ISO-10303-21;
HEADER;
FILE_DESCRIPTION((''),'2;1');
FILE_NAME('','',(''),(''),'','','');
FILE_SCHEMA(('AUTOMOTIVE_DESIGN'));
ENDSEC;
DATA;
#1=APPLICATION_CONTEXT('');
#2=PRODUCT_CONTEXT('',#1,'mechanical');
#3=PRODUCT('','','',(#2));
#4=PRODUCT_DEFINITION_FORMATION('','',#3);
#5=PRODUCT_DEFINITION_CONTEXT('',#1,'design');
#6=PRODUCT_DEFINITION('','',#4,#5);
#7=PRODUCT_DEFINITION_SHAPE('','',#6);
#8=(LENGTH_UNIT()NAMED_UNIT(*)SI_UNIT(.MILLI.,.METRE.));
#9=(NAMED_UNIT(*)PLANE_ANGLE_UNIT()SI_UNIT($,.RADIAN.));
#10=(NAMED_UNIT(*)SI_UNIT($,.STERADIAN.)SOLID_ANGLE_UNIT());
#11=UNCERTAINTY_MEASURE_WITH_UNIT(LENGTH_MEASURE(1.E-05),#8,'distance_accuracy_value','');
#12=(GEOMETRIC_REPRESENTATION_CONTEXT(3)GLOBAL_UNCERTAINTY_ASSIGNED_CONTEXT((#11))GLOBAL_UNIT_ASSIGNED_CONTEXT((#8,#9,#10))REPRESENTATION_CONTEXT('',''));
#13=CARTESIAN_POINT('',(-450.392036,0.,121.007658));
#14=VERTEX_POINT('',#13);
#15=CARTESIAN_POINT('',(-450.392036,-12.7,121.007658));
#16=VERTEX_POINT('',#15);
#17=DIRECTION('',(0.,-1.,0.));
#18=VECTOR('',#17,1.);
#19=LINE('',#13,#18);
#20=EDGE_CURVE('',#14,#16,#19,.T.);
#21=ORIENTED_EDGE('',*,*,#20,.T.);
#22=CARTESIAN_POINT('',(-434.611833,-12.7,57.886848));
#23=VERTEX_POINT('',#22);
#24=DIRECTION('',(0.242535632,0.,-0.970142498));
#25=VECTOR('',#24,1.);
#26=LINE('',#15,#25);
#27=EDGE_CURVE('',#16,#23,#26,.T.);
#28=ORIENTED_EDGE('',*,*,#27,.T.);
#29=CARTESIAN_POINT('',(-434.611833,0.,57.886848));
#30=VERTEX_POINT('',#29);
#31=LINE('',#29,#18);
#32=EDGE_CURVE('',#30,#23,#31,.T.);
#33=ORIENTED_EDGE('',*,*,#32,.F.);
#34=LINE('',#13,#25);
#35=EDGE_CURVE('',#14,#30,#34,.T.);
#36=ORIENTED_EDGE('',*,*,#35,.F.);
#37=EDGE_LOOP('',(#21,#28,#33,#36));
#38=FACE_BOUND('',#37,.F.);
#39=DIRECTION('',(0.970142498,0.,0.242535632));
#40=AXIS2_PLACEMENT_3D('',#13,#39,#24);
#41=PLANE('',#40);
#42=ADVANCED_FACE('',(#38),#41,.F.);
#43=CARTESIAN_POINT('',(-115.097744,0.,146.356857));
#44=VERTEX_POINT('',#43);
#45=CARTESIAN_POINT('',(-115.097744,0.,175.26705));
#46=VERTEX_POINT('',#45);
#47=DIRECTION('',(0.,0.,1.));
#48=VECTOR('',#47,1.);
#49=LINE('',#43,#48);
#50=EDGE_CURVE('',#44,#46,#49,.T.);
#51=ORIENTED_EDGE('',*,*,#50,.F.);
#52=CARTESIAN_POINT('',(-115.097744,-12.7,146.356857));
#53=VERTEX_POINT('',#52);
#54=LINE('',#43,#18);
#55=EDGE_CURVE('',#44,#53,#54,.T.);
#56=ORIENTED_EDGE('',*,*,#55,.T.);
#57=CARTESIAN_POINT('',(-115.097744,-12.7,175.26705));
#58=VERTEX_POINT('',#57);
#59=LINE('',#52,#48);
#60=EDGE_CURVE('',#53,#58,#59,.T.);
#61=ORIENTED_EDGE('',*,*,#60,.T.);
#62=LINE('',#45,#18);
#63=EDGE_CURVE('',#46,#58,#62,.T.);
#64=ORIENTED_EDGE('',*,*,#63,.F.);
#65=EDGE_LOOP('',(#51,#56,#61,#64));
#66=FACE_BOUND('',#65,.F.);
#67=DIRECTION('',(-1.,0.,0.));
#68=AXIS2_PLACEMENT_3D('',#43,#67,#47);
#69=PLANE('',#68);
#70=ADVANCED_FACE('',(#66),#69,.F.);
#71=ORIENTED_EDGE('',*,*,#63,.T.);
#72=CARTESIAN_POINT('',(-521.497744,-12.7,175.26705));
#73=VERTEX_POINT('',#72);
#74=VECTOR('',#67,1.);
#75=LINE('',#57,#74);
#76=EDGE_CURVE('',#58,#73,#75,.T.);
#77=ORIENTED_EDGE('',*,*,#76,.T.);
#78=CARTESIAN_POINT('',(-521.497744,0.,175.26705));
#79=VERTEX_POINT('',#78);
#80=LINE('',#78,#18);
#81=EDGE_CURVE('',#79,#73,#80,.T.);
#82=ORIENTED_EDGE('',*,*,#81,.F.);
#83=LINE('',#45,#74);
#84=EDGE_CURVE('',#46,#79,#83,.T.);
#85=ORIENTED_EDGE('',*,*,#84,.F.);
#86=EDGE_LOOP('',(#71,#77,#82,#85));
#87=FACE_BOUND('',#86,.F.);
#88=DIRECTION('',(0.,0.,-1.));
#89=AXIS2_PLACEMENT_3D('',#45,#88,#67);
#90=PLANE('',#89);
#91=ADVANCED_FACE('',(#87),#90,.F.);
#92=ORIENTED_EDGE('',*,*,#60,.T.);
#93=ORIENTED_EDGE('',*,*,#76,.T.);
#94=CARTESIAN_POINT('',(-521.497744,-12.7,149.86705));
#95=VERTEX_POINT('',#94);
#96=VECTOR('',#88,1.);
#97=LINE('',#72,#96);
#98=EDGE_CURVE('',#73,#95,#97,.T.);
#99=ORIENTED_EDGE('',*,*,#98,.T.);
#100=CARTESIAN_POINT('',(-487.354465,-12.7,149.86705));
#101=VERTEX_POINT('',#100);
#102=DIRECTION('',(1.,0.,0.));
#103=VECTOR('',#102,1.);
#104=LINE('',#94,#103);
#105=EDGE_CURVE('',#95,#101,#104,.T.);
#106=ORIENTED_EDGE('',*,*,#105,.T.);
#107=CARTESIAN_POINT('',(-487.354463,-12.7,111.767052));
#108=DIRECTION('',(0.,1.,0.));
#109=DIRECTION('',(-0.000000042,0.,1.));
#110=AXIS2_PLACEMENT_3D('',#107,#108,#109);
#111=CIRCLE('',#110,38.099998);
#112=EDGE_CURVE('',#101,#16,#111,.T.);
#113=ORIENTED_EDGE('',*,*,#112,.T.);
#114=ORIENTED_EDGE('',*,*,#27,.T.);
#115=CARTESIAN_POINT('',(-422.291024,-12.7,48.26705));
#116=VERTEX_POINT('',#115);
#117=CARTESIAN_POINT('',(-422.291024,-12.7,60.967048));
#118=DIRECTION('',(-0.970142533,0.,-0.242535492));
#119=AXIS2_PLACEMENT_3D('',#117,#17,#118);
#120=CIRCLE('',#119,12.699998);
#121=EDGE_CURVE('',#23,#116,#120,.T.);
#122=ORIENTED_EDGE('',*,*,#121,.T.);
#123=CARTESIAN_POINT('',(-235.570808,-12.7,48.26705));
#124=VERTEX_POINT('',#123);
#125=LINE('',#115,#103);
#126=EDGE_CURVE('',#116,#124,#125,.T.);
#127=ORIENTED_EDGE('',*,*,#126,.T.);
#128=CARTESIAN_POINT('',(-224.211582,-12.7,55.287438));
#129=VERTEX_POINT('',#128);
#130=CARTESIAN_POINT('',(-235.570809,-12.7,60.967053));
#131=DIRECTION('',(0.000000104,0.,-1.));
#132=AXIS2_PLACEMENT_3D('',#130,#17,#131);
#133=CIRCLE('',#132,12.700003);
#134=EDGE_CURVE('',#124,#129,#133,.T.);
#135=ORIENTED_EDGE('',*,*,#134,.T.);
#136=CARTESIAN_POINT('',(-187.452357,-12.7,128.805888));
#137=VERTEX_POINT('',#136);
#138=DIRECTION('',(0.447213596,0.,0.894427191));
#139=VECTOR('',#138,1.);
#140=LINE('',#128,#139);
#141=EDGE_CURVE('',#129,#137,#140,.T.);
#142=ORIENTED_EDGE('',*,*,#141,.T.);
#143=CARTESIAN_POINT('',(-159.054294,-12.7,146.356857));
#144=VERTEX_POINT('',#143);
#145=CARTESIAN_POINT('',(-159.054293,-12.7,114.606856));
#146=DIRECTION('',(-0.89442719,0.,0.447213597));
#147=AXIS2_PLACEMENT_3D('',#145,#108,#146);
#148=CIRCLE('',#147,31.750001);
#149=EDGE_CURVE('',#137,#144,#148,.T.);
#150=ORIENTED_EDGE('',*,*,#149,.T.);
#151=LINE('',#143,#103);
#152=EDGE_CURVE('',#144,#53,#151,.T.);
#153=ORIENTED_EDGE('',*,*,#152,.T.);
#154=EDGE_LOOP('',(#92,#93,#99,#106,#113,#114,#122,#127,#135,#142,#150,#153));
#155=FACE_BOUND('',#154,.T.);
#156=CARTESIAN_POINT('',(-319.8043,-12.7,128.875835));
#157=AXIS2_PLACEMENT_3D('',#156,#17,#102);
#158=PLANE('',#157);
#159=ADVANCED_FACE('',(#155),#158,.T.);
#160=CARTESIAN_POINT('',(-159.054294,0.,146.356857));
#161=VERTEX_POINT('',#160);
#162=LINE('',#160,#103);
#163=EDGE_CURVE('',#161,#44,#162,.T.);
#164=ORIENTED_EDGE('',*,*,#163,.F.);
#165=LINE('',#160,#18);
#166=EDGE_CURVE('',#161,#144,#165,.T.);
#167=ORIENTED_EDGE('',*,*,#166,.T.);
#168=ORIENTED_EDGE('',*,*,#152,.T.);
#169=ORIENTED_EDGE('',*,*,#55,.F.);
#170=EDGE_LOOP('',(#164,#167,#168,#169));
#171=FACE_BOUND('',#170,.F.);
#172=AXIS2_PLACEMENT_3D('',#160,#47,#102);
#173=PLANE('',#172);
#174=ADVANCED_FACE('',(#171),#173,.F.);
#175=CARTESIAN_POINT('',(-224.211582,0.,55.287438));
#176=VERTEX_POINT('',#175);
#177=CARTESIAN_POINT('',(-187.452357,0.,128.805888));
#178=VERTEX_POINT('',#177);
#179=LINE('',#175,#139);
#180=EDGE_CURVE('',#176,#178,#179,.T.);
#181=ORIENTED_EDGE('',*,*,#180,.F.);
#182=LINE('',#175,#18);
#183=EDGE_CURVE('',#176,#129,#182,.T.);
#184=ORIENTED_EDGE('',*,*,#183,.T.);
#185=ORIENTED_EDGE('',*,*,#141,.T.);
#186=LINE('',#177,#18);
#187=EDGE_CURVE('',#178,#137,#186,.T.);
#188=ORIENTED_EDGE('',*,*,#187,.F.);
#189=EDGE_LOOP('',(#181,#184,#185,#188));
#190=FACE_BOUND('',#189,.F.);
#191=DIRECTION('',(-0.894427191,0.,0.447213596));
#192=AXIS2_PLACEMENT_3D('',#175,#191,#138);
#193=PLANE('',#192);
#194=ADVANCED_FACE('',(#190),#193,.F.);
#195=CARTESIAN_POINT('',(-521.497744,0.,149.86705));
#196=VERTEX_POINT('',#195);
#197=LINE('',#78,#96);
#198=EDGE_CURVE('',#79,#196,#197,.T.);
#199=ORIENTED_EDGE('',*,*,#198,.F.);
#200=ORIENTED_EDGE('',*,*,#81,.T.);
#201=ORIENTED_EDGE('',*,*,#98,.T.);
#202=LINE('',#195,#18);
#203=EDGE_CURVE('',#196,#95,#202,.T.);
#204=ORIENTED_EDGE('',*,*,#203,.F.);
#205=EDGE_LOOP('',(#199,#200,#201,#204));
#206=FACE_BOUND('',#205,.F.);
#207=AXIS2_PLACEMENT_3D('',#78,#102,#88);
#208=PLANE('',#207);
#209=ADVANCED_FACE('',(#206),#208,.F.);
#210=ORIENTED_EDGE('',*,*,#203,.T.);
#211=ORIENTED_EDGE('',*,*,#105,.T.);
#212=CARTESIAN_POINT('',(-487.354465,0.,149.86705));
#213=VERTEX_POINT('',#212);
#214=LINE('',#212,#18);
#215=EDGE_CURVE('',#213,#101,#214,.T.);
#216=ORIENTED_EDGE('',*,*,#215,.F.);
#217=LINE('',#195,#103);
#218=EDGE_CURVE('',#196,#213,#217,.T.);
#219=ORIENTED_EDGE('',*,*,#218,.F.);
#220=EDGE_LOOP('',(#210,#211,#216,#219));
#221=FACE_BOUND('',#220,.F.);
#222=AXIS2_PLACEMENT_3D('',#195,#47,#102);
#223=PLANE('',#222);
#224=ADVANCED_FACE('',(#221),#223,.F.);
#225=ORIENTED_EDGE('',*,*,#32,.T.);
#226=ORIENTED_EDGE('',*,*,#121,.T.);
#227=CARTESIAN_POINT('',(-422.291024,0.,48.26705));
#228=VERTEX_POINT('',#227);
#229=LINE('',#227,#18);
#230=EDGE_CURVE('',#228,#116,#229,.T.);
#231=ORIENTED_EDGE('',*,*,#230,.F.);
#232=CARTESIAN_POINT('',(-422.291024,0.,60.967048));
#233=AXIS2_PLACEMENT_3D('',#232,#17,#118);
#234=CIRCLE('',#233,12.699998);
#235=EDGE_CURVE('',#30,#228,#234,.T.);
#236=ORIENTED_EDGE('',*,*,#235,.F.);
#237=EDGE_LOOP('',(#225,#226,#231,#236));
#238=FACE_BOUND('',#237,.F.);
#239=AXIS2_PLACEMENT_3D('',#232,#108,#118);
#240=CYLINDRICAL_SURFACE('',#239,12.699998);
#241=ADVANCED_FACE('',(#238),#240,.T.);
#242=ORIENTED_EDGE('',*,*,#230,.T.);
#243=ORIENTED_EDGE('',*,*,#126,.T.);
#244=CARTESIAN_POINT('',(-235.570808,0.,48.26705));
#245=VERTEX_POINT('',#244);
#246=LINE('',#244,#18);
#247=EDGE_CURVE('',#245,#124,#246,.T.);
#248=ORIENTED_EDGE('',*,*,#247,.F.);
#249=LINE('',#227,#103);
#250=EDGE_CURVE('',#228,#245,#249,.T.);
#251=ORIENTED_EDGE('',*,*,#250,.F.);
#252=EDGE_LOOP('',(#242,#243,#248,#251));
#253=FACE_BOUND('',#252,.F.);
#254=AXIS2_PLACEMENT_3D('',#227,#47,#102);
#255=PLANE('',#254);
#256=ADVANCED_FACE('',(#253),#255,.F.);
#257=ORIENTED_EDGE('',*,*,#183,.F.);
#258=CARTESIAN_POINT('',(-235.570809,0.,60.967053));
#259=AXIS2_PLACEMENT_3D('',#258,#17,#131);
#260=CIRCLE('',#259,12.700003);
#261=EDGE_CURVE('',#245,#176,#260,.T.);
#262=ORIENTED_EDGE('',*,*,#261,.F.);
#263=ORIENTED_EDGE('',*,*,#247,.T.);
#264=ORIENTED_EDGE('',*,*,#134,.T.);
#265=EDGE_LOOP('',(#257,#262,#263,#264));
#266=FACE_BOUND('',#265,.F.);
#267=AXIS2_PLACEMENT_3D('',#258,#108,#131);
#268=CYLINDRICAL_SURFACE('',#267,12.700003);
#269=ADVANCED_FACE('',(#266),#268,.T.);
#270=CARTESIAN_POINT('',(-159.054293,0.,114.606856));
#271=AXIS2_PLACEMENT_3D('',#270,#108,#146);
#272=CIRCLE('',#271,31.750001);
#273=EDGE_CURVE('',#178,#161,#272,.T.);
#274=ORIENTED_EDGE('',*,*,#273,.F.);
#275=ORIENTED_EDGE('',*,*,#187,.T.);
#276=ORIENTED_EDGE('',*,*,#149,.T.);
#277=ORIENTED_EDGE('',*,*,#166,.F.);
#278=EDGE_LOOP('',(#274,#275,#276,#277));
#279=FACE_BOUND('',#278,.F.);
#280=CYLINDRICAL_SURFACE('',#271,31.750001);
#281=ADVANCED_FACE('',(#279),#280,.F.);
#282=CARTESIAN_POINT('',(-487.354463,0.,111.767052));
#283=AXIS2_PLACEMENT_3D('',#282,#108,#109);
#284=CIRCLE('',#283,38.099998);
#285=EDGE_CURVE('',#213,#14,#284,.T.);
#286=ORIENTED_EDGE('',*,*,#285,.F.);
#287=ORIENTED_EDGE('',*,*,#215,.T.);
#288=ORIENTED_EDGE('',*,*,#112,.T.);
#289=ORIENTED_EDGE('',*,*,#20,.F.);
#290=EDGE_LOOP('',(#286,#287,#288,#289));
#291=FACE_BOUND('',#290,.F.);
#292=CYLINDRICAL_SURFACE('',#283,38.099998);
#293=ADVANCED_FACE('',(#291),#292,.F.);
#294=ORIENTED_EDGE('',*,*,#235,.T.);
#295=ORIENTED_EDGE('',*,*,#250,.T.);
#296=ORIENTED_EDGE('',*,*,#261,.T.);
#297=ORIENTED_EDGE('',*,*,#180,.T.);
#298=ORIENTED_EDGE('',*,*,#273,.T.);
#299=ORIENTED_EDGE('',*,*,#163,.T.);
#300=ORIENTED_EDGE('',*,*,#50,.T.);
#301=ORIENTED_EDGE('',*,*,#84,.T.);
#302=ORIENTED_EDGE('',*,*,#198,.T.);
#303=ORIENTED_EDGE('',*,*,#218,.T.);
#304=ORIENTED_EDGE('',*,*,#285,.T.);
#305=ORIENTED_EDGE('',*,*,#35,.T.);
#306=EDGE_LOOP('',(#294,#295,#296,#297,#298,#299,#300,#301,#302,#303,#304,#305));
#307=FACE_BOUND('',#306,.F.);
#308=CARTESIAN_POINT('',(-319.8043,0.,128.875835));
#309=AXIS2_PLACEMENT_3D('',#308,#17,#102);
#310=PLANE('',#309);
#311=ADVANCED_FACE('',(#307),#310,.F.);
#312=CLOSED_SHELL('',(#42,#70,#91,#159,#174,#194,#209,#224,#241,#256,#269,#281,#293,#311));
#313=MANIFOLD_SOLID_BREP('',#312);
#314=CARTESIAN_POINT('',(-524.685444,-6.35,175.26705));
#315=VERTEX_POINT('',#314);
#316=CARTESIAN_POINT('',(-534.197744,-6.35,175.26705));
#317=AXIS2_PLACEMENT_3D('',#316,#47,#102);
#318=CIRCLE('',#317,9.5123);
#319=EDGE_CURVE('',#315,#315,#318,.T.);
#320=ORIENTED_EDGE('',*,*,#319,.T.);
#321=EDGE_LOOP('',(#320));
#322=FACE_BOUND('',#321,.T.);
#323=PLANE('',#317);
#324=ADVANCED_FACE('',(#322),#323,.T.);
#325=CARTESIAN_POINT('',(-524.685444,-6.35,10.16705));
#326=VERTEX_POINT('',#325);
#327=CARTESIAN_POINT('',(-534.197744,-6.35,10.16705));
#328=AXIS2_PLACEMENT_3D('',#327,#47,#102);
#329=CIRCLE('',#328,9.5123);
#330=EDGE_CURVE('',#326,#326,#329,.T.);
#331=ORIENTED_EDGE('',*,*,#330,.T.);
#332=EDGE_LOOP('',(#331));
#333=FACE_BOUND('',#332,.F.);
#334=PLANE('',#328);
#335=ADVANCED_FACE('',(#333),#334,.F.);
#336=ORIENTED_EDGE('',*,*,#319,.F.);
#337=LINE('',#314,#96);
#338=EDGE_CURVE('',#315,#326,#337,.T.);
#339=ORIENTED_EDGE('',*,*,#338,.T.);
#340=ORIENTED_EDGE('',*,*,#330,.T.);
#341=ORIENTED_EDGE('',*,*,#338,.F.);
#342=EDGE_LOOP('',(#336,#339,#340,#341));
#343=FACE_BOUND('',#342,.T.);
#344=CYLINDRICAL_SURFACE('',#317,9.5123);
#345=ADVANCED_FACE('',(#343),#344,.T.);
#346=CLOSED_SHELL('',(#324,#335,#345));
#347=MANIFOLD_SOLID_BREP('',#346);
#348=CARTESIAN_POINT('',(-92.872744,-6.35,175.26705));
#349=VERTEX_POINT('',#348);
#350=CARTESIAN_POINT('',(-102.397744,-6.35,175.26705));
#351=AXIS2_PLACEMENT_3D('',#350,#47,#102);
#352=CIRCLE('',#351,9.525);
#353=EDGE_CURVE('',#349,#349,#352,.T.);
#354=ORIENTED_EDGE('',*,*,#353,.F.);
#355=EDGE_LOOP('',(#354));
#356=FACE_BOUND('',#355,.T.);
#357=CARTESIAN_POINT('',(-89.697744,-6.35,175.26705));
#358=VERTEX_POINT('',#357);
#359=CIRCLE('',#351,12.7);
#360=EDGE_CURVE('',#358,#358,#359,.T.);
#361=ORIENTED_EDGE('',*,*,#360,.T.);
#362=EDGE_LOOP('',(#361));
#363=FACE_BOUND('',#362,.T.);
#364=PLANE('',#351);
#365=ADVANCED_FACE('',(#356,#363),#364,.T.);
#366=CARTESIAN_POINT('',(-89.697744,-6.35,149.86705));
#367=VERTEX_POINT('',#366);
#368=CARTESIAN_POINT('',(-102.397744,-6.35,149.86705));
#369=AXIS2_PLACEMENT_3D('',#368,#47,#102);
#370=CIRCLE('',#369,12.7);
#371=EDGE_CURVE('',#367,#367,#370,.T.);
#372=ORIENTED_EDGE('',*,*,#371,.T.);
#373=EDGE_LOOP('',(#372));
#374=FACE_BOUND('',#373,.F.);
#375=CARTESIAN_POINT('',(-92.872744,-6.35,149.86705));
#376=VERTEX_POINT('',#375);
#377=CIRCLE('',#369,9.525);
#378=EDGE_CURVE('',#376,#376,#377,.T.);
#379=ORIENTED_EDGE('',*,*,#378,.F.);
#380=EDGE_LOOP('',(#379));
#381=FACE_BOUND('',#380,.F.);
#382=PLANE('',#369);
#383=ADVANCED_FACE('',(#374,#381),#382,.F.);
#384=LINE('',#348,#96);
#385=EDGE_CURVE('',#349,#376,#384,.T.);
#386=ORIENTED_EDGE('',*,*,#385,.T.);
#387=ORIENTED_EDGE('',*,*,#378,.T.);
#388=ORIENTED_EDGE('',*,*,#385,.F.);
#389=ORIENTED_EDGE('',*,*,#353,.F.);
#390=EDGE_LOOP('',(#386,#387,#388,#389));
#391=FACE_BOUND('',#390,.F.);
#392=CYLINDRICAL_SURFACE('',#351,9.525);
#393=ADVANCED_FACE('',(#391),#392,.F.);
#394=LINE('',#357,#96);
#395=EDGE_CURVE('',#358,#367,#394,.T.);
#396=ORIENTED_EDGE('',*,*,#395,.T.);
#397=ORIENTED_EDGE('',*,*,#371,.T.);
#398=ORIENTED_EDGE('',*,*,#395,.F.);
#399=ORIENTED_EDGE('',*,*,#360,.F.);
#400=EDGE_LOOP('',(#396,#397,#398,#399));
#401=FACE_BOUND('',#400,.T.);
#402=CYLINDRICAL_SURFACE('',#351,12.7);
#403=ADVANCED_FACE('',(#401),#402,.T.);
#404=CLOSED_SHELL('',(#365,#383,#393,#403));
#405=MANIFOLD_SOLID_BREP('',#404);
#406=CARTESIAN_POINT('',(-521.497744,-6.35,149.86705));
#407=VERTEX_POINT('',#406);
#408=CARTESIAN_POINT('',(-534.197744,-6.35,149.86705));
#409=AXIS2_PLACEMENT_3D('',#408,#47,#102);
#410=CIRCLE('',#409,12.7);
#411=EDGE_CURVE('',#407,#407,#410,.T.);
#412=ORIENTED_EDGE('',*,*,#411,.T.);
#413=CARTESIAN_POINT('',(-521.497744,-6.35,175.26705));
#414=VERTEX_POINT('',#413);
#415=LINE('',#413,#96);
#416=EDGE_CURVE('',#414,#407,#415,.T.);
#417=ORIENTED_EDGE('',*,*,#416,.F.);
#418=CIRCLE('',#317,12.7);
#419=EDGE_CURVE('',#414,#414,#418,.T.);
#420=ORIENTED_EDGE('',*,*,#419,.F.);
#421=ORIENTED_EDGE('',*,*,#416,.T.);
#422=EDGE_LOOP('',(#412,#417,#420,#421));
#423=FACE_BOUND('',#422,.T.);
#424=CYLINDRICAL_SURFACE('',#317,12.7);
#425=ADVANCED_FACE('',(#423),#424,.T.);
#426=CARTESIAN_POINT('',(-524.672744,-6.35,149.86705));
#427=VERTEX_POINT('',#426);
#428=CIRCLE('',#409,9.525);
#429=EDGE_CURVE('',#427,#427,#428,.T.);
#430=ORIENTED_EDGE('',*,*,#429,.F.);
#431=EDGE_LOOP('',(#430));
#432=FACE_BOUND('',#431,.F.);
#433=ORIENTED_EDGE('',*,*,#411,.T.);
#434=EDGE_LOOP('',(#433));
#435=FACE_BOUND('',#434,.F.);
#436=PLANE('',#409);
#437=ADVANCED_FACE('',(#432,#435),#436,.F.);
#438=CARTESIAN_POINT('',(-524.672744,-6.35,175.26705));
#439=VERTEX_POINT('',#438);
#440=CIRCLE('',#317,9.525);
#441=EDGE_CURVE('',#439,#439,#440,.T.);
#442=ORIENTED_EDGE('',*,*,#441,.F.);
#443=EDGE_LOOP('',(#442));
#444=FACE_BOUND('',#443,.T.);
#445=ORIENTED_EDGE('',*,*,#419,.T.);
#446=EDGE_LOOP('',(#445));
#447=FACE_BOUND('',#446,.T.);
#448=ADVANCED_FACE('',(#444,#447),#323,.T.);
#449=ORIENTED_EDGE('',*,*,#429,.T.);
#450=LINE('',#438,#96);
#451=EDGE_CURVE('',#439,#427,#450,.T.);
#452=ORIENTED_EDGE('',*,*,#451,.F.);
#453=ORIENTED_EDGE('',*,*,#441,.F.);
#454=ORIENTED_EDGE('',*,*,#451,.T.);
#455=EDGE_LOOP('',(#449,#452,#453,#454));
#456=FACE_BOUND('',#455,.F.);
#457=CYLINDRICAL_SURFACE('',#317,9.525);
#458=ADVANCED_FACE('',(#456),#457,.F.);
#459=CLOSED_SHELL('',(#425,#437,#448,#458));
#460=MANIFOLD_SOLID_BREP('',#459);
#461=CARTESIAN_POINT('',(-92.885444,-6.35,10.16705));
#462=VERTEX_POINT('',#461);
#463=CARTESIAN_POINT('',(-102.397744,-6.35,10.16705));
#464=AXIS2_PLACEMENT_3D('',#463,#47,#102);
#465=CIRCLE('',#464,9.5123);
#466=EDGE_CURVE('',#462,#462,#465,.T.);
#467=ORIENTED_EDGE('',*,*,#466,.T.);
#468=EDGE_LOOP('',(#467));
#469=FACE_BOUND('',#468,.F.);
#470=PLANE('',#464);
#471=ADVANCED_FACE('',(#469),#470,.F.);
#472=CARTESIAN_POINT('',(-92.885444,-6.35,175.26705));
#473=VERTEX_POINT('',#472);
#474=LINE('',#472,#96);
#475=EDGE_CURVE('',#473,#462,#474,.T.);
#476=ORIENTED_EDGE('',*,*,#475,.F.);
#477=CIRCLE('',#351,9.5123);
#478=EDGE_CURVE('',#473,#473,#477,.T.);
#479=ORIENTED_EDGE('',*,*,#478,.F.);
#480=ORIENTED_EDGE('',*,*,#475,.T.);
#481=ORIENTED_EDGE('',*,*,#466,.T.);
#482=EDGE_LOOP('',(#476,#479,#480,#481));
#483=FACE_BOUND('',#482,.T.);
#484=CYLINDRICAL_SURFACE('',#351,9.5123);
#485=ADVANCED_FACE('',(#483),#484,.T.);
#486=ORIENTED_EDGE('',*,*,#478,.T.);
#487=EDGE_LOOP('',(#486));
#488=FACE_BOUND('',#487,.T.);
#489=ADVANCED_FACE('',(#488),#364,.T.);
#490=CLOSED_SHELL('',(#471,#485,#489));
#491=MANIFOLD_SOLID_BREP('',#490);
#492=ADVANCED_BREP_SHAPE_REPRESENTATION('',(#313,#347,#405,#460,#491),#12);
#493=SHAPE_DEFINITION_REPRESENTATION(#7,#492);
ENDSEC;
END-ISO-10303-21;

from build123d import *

# Parameters (mm, degrees)
F1_DEPTH = 12.7
F2_R     = 12.7
F2_R_2   = 9.525
F3_DEPTH = 25.4
F4_R     = 9.5123
F5_DEPTH = 165.1


with BuildPart() as f1:
    # F0 (on Front) → F1 (new body)
    with BuildSketch(Plane.XZ):
        with BuildLine():
            Line((-521.497744, 149.86705), (-487.354465, 149.86705))
            ThreePointArc((-487.354465, 149.86705), (-463.90726, 141.797678), (-450.392036, 121.007658))
            Line((-450.392036, 121.007658), (-434.611833, 57.886848))
            ThreePointArc((-434.611833, 57.886848), (-430.106759, 50.956841), (-422.291024, 48.26705))
            Line((-422.291024, 48.26705), (-235.570808, 48.26705))
            ThreePointArc((-235.570808, 48.26705), (-228.894023, 50.163785), (-224.211582, 55.287438))
            Line((-224.211582, 55.287438), (-187.452357, 128.805888))
            ThreePointArc((-187.452357, 128.805888), (-175.746256, 141.61502), (-159.054294, 146.356857))
            Line((-159.054294, 146.356857), (-115.097744, 146.356857))
            Line((-115.097744, 146.356857), (-115.097744, 175.26705))
            Line((-115.097744, 175.26705), (-521.497744, 175.26705))
            Line((-521.497744, 175.26705), (-521.497744, 149.86705))
        make_face()
    extrude(amount=F1_DEPTH)


with BuildPart() as f3:
    # F2 (on face) → F3 (new body)
    with BuildSketch(Plane.XY.offset(175.26705)):
        with Locations((-102.397744, -6.35)):
            Circle(F2_R)
        with Locations((-102.397744, -6.35)):
            Circle(F2_R_2, mode=Mode.SUBTRACT)
        with Locations((-534.197744, -6.35)):
            Circle(F2_R)
        with Locations((-534.197744, -6.35)):
            Circle(F2_R_2, mode=Mode.SUBTRACT)
    extrude(amount=-F3_DEPTH)


with BuildPart() as f5:
    # F4 (on face) → F5 (new body)
    with BuildSketch(Plane.XY.offset(175.26705)):
        with Locations((-102.397744, -6.35)):
            Circle(F4_R)
        with Locations((-534.197744, -6.35)):
            Circle(F4_R)
    extrude(amount=-F5_DEPTH)


solid = Compound([f1.part, f3.part, f5.part])
